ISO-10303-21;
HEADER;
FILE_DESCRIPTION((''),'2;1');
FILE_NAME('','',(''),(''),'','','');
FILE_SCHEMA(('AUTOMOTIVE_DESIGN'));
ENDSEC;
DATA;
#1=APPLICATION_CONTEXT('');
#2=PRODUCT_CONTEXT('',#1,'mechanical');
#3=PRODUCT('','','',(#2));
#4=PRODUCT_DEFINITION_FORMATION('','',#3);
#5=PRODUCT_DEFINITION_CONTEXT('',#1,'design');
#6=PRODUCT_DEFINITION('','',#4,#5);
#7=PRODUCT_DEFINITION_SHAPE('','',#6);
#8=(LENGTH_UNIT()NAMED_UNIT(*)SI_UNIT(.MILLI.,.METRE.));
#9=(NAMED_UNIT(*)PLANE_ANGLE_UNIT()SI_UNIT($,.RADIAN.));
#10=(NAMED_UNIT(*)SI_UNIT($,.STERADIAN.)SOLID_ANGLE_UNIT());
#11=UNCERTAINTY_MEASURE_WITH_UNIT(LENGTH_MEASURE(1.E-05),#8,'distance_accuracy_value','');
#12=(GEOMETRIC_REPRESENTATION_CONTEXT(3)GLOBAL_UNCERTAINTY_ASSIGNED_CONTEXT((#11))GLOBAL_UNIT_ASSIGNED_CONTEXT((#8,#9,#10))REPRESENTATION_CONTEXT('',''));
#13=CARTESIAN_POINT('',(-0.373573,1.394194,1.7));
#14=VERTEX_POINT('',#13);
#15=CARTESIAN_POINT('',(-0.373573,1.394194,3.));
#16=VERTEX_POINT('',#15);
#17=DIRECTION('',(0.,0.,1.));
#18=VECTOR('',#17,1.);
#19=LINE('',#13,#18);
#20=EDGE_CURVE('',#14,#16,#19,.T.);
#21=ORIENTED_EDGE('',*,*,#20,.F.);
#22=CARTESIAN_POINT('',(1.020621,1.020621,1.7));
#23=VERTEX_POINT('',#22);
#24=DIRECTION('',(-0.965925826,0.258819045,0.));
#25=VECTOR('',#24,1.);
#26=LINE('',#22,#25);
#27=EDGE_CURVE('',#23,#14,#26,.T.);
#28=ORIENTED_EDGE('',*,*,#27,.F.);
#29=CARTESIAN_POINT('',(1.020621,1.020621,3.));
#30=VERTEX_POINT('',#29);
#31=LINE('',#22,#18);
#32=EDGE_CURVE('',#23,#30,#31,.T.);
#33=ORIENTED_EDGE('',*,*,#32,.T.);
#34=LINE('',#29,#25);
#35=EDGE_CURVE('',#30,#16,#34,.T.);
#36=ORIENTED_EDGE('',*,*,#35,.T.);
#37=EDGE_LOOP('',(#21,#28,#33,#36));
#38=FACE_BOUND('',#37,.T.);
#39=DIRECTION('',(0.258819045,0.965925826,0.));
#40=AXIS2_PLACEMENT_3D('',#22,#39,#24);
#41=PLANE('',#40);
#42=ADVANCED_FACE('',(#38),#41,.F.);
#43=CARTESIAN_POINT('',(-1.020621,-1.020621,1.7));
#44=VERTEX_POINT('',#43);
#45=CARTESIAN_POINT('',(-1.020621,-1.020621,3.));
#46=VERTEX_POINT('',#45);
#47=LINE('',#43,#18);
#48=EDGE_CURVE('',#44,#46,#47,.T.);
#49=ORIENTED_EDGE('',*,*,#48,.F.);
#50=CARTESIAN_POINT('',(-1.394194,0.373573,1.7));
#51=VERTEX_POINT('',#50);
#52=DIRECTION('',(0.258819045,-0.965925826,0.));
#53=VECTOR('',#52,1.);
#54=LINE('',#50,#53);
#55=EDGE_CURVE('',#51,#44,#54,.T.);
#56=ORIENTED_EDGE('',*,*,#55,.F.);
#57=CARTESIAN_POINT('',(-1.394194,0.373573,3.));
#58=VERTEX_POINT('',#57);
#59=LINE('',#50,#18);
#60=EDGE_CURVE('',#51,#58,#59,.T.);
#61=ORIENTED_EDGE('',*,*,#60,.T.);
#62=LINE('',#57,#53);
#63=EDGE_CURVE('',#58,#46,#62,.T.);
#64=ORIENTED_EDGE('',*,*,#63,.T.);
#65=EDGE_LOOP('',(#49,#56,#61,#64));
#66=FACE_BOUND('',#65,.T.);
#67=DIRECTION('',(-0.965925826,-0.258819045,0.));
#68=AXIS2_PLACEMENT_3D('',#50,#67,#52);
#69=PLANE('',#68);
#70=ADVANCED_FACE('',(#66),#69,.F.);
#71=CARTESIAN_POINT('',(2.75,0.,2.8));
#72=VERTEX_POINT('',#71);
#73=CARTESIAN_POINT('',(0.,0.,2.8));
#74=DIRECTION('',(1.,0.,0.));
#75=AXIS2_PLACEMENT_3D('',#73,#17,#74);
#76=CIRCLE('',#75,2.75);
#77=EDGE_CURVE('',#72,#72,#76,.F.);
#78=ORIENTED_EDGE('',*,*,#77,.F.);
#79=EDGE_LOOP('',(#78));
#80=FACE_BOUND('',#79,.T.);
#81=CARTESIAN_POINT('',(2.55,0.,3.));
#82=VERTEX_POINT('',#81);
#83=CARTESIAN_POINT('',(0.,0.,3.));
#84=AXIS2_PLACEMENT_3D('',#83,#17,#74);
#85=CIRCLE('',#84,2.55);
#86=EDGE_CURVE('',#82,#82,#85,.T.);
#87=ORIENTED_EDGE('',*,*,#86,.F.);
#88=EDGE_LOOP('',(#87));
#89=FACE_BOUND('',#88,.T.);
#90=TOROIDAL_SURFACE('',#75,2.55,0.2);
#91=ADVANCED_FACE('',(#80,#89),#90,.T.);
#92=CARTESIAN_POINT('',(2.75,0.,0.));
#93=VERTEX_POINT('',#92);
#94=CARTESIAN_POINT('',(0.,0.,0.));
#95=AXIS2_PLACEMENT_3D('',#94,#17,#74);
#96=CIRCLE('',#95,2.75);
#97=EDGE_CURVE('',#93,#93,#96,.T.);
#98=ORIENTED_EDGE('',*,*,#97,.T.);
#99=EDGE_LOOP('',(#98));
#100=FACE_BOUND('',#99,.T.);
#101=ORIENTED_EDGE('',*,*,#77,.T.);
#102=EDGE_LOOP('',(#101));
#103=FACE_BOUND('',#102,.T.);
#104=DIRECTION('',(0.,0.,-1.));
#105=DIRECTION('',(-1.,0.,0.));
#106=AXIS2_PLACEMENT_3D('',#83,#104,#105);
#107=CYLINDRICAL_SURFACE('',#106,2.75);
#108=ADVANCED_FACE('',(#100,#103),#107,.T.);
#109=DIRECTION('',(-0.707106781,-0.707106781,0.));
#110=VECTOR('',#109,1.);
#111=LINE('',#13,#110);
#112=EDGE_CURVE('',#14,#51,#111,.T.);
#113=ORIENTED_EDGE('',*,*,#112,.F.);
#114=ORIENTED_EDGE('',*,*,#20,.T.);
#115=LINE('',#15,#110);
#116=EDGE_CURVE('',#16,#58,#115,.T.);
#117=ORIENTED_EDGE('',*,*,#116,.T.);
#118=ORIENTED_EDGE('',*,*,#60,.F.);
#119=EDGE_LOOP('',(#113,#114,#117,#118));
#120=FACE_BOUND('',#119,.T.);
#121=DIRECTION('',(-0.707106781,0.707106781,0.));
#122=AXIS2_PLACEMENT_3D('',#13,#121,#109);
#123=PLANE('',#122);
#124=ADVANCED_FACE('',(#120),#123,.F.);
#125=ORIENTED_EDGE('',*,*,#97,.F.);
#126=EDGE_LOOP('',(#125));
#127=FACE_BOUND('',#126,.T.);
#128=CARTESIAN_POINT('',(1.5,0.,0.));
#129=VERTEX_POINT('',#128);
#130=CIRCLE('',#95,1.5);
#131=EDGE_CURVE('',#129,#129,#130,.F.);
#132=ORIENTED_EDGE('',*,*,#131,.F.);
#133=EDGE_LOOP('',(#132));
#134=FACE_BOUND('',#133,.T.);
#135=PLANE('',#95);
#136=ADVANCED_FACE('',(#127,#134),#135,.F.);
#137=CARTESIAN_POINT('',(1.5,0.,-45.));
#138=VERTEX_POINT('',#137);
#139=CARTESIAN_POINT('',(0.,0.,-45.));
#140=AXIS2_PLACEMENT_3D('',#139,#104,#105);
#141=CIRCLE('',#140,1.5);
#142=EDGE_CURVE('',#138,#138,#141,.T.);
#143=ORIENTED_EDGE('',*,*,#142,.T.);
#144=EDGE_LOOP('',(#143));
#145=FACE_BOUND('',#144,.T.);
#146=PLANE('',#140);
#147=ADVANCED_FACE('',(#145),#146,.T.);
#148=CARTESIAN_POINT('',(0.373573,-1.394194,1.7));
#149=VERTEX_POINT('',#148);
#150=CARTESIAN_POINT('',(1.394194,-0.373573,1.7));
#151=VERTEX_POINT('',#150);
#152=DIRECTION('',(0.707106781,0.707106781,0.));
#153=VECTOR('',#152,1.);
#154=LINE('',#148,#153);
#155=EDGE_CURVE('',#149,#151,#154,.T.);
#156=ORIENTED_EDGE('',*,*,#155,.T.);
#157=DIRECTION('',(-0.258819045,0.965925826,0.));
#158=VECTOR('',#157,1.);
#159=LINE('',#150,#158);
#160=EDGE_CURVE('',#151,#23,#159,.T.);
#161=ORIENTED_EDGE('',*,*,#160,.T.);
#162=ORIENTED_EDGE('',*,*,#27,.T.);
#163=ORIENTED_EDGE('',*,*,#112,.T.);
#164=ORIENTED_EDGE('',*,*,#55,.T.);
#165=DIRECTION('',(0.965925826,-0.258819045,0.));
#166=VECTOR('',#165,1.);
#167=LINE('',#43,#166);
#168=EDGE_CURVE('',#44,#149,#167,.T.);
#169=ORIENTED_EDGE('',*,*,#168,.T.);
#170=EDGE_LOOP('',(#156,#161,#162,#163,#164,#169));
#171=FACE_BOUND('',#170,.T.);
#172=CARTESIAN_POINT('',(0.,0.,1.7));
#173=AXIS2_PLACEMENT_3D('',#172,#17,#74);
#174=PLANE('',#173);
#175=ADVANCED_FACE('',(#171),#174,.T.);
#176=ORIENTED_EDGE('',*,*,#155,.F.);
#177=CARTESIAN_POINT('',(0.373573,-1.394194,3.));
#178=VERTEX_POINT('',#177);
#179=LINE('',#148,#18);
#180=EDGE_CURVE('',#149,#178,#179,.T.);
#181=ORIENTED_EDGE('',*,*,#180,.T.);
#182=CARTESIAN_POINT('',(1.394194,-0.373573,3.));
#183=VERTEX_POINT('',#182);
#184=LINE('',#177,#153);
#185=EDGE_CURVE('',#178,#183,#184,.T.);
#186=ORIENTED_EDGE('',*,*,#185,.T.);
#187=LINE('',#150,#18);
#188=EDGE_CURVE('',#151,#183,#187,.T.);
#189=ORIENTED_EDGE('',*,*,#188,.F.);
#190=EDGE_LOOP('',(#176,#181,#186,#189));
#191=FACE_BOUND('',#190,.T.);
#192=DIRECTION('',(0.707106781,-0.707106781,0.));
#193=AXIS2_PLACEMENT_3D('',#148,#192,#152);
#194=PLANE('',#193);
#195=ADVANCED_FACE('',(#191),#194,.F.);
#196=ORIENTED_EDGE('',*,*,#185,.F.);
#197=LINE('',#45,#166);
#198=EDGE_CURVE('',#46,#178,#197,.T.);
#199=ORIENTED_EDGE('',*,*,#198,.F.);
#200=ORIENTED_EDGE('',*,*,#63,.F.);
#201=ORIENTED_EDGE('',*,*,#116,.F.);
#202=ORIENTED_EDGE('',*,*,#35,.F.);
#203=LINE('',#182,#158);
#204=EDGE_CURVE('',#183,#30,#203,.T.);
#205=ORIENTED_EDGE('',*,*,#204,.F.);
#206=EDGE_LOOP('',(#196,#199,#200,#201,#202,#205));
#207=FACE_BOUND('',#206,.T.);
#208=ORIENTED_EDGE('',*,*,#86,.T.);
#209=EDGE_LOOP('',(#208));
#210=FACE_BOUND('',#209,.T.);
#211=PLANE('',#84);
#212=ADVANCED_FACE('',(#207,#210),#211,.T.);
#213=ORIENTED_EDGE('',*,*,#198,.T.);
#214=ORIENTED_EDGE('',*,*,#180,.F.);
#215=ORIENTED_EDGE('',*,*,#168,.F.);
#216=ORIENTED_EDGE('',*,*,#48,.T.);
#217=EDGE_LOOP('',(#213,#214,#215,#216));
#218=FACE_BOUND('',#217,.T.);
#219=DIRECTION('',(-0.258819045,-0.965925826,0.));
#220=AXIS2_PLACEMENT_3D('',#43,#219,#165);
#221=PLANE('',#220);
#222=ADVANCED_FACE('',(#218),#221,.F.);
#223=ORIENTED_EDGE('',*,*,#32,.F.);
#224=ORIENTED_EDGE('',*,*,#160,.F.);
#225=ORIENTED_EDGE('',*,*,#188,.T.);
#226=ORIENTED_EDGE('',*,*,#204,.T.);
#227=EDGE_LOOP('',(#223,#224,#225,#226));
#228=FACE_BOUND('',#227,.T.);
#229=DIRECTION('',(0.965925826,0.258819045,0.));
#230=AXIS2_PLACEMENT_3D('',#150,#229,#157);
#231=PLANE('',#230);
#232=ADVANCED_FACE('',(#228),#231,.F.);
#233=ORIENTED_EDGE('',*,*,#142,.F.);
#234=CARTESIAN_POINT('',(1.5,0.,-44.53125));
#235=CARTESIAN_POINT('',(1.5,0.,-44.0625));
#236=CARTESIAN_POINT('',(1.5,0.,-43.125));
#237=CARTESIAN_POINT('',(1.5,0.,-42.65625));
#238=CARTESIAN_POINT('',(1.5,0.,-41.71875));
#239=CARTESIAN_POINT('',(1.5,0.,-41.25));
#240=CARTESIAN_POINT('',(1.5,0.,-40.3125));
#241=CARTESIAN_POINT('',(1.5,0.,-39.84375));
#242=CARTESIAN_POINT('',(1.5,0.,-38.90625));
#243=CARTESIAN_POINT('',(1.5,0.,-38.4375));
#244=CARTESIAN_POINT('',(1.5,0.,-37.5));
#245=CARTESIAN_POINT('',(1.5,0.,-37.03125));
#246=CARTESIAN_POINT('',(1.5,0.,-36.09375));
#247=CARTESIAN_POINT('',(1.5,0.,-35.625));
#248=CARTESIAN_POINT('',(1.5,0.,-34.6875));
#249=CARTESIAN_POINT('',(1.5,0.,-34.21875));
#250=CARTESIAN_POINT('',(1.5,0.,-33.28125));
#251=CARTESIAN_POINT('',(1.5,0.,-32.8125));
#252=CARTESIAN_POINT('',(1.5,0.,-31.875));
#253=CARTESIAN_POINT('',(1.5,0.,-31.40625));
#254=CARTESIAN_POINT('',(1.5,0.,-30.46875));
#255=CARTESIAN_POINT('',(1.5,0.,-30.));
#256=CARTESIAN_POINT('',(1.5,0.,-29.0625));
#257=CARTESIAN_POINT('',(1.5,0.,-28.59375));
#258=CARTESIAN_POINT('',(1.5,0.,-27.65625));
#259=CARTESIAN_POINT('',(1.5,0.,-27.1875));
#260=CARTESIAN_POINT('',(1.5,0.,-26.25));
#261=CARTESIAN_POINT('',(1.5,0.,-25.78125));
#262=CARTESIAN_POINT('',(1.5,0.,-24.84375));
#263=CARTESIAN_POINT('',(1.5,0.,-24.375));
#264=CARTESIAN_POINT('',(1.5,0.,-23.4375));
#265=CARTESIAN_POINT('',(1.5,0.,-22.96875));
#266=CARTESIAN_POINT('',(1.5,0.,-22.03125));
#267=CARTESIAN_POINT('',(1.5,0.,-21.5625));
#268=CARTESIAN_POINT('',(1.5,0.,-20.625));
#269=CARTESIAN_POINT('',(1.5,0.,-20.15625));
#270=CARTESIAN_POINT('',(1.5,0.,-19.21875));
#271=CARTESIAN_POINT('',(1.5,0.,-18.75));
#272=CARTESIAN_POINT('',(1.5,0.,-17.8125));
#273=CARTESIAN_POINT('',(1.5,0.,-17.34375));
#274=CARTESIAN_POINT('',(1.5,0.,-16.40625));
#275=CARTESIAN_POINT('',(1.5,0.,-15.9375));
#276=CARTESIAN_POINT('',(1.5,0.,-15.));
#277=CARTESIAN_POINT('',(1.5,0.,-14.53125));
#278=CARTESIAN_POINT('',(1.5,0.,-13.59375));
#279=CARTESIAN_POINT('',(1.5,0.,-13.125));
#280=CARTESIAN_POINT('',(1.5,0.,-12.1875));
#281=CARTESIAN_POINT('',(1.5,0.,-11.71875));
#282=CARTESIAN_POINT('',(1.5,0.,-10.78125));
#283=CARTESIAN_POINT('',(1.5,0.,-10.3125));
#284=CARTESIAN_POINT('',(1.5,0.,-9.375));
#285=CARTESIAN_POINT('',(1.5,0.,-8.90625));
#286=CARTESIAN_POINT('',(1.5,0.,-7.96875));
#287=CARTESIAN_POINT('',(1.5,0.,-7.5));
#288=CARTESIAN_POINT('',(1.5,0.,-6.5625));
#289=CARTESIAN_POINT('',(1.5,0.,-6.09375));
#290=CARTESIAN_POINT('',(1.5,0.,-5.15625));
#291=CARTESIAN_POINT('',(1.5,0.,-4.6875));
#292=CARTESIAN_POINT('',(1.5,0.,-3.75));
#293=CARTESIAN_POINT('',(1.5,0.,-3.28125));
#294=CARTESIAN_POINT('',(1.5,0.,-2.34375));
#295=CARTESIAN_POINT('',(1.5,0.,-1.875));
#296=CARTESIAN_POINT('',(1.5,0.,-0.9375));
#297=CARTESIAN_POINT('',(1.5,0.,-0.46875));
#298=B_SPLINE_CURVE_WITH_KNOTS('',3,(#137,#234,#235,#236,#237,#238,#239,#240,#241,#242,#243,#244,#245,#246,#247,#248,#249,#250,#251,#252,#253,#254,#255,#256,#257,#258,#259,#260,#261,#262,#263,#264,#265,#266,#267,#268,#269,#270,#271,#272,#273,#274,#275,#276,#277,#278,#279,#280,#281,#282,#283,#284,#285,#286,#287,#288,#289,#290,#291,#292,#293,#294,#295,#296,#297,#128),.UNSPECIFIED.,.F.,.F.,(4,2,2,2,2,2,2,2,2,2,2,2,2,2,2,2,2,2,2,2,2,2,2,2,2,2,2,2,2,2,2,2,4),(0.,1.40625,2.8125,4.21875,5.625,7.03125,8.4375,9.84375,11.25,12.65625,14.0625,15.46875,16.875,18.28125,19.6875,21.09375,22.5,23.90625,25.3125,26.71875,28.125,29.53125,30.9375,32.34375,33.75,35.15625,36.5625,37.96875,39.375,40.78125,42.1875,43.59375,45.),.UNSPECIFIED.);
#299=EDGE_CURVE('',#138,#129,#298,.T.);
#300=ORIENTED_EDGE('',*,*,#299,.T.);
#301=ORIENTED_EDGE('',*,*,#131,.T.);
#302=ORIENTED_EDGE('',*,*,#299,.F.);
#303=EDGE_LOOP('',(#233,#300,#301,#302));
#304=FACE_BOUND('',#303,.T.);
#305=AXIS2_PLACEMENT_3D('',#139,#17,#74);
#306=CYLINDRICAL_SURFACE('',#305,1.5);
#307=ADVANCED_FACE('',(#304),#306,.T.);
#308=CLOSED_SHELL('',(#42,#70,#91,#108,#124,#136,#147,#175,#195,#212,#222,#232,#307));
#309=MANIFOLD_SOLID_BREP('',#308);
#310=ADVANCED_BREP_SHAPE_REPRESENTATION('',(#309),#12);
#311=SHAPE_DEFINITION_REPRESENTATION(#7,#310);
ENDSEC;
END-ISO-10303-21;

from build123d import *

# Parameters (mm, degrees)
SKETCH_1_R          = 2.75
EXTRUDE_1_DEPTH     = 3
CUT_EXTRUDE_1_DEPTH = 1.3
SKETCH_3_R          = 1.5
EXTRUDE_2_DEPTH     = 45
FILLET_1_R          = 0.2


with BuildPart() as part:
    # 草图1 → 凸台-拉伸1 (new body)
    with BuildSketch(Plane.XY):
        Circle(SKETCH_1_R)
    extrude(amount=EXTRUDE_1_DEPTH)

    # 草图2 → 切除-拉伸1 (cut)
    with BuildSketch(Plane.XY.offset(3)):
        Polygon((-1.020620726, -1.020620726), (0.373573113, -1.39419384), (1.39419384, -0.373573113), (1.020620726, 1.020620726), (-0.373573113, 1.39419384), (-1.39419384, 0.373573113), align=None)
    extrude(amount=-CUT_EXTRUDE_1_DEPTH, mode=Mode.SUBTRACT)

    # 草图3 → 凸台-拉伸2 (add)
    with BuildSketch(Plane(origin=(0, 0, 0), x_dir=(-1, 0, 0), z_dir=(0, 0, -1))):
        with Locations(Location((0, 0, 0), (0, 0, 180))):
            Circle(SKETCH_3_R)
    extrude(amount=EXTRUDE_2_DEPTH)

    # 圆角1
    fillet_1_edges = [part.edges().sort_by_distance(p)[0] for p in [
        (-2.75, 0, 3),
    ]]
    fillet(fillet_1_edges, radius=FILLET_1_R)


solid = part.part
